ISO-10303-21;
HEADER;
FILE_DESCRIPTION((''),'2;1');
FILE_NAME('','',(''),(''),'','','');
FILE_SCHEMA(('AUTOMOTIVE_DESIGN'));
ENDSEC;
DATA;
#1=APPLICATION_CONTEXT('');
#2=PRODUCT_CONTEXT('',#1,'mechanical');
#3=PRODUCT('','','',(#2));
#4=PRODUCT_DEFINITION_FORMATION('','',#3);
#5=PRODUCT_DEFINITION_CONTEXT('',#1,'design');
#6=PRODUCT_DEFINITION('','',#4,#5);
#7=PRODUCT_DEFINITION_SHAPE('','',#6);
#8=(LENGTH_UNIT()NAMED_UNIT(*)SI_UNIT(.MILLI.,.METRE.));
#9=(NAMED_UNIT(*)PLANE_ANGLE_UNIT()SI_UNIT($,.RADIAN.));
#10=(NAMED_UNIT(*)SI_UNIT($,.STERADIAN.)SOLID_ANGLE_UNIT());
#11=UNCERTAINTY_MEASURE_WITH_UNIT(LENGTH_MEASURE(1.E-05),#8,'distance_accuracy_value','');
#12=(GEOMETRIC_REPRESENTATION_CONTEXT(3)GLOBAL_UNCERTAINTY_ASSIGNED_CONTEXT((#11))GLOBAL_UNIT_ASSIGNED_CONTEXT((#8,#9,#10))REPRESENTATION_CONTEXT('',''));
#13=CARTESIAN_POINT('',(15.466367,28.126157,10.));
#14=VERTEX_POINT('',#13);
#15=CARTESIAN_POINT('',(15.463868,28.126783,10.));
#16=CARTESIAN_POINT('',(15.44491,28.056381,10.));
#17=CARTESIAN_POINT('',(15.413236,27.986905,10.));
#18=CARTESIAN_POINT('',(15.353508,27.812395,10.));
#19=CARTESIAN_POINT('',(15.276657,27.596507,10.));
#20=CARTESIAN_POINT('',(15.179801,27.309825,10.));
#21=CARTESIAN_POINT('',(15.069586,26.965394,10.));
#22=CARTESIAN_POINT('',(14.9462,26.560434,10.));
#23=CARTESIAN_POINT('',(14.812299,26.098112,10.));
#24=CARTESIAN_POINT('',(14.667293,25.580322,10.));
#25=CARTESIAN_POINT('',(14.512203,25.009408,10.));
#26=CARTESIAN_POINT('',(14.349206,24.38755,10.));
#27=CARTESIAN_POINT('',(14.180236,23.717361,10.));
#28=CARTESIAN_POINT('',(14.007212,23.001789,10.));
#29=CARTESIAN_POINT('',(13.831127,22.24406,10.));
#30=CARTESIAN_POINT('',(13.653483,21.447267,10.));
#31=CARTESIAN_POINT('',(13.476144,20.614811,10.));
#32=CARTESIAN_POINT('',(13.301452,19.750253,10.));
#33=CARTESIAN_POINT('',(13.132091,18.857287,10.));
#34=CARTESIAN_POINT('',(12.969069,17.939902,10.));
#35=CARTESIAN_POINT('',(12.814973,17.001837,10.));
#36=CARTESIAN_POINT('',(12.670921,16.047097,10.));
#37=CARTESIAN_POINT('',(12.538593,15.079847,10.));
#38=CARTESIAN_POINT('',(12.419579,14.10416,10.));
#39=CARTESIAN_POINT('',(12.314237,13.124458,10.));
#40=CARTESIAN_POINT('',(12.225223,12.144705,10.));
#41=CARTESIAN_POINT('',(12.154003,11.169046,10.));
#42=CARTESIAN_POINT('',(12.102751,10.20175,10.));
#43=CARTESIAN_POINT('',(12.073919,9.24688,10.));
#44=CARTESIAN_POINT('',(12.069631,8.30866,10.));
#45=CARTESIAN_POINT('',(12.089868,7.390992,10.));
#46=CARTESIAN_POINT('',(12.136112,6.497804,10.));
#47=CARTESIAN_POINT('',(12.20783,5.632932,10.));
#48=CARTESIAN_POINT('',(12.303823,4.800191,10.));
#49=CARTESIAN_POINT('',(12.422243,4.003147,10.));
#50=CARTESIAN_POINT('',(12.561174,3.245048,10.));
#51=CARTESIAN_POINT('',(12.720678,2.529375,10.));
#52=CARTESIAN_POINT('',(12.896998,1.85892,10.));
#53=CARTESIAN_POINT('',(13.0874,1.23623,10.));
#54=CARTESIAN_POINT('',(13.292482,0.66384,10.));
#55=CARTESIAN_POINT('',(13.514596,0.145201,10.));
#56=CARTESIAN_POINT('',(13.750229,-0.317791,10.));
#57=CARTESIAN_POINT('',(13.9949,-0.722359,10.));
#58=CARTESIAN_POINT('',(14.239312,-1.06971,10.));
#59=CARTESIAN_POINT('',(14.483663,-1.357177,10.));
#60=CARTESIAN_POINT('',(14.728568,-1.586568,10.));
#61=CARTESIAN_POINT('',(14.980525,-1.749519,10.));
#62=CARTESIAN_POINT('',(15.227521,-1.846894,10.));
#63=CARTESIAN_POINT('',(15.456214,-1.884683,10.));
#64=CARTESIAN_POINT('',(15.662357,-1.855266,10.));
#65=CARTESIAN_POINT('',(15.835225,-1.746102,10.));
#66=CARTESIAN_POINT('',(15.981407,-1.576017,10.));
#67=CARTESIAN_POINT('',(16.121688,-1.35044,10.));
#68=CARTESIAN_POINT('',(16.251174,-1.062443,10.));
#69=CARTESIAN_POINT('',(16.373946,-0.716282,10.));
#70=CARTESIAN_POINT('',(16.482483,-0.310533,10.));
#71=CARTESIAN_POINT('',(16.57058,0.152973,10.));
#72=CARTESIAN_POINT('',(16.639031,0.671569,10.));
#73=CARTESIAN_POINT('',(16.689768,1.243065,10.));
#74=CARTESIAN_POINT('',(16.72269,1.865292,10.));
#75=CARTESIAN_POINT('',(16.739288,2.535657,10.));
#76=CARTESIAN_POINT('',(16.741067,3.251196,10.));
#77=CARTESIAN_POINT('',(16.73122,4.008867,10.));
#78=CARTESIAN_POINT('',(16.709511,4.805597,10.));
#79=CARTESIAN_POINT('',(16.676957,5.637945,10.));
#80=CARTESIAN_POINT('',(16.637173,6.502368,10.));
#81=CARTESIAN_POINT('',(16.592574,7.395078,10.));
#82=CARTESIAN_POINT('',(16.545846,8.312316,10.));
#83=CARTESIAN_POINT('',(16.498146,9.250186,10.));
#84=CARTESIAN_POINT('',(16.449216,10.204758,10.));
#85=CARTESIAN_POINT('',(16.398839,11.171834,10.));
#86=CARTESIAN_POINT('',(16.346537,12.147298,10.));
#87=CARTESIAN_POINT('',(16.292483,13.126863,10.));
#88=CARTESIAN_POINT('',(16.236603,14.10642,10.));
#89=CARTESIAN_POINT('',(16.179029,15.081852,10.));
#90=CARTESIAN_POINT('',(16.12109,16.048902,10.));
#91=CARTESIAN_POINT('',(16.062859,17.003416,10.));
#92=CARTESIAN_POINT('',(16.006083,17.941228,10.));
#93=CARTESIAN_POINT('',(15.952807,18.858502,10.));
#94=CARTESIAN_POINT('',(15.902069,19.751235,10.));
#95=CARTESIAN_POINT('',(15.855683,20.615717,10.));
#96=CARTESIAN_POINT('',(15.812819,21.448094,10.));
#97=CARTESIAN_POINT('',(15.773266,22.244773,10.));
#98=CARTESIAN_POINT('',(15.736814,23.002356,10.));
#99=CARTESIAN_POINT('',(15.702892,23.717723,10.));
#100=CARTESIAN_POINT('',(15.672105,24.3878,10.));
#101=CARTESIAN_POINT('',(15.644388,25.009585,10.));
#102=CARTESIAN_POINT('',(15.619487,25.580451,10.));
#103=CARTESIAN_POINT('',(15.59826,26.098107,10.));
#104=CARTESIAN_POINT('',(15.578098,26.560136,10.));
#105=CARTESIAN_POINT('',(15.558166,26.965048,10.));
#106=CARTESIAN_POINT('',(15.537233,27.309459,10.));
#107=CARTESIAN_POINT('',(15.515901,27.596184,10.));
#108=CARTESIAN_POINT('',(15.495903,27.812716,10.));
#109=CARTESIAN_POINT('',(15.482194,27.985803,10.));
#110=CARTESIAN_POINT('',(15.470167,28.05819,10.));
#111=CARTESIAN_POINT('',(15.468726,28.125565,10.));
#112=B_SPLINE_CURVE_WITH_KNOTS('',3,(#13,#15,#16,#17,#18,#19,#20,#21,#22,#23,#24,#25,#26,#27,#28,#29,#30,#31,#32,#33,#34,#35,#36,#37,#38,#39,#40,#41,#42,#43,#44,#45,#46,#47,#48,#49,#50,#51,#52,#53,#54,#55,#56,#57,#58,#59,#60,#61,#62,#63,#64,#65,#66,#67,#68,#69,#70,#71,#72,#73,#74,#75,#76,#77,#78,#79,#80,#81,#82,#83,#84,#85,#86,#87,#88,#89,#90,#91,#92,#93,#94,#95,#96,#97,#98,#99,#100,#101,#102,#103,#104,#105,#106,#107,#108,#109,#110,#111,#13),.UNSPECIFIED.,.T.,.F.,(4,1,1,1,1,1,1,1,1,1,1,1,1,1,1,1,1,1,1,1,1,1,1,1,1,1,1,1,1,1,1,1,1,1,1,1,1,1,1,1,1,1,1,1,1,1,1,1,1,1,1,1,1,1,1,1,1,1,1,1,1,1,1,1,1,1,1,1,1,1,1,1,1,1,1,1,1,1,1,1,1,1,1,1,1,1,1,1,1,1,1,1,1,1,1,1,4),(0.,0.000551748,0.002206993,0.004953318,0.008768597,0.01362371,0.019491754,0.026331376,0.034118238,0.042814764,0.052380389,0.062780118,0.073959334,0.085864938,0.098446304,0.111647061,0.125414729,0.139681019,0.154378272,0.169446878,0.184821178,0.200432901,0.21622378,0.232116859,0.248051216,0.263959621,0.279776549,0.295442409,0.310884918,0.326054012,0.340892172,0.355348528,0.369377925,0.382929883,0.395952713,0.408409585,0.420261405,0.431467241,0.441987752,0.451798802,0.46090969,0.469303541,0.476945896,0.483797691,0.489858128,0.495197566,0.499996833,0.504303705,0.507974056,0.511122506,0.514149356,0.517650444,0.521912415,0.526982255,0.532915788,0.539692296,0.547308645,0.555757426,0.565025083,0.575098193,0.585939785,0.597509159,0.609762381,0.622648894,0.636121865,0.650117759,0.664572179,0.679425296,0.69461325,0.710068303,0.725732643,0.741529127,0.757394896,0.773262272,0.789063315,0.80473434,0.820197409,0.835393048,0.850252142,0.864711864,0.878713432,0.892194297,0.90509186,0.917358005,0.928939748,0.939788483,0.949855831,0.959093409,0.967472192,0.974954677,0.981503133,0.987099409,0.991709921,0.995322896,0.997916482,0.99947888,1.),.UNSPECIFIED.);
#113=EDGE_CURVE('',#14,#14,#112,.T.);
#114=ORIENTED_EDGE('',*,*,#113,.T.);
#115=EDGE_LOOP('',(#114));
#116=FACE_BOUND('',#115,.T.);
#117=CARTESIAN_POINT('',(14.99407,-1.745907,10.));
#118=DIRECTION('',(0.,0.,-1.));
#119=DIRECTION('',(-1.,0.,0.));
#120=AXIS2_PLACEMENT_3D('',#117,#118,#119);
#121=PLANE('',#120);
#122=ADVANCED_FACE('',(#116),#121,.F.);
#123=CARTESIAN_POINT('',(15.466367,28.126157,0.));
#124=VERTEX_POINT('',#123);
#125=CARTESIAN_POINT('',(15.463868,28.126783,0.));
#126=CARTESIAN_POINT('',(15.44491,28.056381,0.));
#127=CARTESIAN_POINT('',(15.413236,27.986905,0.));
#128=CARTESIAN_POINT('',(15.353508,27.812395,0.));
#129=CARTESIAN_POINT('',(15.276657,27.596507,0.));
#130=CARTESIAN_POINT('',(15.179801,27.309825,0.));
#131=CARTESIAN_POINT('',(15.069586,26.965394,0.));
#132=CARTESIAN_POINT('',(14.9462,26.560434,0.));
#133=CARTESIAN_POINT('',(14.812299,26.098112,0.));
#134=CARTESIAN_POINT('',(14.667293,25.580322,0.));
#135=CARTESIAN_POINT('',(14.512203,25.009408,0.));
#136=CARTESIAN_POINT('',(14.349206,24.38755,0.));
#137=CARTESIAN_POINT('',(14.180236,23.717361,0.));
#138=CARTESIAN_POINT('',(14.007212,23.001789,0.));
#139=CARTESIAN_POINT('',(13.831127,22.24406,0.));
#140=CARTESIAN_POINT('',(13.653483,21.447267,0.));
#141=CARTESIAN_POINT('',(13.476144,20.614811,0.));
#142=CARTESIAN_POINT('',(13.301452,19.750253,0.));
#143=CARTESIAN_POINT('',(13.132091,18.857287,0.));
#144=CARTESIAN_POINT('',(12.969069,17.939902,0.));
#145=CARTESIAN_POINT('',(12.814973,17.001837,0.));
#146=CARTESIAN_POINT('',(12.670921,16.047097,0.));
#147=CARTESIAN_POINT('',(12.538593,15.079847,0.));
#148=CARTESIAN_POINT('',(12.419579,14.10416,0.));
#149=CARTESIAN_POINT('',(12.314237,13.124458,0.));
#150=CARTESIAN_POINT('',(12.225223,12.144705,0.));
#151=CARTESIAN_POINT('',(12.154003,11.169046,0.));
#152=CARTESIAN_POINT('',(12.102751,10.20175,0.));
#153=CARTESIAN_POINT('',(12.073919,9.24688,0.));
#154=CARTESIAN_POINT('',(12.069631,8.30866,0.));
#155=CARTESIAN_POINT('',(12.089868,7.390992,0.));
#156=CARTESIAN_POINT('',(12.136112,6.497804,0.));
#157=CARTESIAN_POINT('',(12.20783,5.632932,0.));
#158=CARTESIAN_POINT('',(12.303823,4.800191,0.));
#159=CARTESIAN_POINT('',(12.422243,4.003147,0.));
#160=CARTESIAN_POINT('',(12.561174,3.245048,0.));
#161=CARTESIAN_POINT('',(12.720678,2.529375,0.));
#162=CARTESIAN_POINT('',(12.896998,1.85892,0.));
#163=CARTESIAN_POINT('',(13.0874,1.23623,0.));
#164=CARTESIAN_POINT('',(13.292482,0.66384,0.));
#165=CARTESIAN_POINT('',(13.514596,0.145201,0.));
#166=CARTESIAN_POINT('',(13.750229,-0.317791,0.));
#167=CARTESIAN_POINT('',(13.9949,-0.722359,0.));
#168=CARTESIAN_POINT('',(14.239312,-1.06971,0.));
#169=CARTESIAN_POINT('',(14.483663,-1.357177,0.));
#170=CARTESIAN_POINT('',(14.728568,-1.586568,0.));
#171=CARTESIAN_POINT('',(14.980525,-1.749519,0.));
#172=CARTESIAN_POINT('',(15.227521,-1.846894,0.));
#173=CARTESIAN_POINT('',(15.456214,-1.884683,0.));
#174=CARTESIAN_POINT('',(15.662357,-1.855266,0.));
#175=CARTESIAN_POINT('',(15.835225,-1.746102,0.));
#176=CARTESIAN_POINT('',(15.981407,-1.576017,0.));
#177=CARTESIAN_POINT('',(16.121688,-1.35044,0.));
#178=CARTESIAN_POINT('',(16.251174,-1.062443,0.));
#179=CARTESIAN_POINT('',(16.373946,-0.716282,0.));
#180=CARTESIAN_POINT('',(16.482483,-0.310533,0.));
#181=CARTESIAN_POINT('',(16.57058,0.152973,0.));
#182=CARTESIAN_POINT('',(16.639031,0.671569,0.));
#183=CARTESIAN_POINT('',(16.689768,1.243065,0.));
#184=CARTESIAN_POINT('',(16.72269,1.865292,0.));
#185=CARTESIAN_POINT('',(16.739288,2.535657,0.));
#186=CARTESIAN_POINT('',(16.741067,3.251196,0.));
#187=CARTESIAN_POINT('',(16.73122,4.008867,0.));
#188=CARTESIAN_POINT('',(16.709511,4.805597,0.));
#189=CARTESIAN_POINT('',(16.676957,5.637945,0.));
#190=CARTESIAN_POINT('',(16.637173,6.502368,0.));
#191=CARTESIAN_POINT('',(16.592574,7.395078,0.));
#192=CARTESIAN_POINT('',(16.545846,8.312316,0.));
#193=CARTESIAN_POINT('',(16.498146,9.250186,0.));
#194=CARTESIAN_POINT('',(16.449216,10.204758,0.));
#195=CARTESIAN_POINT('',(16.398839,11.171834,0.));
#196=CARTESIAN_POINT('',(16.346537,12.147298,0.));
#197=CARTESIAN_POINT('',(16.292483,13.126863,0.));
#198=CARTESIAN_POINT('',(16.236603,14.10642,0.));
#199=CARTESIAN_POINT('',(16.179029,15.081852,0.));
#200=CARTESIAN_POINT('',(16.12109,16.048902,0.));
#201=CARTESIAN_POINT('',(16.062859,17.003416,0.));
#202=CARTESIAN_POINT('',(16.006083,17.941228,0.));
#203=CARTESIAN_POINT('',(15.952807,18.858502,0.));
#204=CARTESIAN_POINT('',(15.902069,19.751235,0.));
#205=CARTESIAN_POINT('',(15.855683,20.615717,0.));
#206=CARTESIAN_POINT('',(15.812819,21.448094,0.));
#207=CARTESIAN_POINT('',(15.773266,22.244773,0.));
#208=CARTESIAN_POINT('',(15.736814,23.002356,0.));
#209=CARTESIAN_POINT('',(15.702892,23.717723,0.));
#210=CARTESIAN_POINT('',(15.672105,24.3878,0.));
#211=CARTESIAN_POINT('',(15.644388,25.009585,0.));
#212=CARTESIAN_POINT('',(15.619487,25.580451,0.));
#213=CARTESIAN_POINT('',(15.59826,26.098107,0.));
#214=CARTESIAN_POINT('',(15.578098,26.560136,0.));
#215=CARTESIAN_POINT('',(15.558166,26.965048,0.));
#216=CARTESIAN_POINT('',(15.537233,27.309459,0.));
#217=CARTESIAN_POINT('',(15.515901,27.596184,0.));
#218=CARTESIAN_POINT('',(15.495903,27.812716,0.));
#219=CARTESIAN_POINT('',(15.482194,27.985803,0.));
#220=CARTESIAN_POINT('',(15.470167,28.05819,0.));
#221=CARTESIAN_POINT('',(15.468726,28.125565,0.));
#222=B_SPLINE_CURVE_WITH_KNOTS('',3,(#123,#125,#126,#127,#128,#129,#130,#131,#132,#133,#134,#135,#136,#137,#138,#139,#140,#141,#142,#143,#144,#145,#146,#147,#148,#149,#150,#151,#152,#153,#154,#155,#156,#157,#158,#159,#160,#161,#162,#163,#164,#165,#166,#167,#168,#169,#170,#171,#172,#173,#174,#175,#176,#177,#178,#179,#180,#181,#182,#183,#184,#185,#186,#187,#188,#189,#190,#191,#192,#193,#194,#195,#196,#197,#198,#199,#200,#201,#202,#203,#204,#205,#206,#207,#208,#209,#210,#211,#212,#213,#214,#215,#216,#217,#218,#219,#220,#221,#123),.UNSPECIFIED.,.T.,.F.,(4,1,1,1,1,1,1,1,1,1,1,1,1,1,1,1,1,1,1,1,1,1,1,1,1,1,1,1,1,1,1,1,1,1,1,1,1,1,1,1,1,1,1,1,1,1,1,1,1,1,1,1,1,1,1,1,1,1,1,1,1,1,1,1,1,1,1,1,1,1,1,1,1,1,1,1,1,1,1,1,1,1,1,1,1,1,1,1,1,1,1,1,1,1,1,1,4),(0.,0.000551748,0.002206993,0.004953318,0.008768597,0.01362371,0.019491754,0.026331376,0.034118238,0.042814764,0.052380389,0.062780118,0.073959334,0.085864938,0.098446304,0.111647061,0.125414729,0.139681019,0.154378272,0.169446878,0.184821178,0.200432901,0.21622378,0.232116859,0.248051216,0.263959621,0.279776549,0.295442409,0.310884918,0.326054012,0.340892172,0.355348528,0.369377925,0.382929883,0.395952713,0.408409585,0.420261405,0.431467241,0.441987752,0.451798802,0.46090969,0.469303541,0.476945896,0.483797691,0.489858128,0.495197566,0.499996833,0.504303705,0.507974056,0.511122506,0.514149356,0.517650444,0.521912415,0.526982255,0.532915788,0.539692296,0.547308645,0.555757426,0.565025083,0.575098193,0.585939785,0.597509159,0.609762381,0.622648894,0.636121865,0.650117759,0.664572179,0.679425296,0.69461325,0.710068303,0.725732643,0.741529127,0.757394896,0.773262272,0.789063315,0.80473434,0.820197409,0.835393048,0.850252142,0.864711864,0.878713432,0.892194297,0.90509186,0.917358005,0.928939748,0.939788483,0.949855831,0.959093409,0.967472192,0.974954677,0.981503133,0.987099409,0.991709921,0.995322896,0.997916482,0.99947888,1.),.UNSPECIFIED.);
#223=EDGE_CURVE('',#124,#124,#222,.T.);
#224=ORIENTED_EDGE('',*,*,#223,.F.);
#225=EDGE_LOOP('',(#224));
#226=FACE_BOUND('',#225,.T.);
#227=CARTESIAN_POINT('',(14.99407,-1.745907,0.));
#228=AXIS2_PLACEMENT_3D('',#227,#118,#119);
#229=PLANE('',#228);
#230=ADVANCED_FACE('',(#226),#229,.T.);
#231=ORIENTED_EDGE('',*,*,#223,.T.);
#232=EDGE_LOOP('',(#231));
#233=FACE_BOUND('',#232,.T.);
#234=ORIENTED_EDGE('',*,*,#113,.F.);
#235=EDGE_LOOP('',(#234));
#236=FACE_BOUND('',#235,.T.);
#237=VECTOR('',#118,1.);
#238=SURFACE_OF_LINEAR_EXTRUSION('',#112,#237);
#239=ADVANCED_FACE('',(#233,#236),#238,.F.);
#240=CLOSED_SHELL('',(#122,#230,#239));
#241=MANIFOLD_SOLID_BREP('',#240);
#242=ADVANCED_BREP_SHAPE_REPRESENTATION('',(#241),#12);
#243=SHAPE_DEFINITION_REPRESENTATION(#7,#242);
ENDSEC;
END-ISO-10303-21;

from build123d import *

# Parameters (mm, degrees)
AUFSATZ_LINEAR_AUSTRAGEN1_DEPTH = 10


with BuildPart() as part:
    # Skizze2 → Aufsatz-Linear austragen1 (new body)
    with BuildSketch(Plane(origin=(0, 0, 0), x_dir=(0, 1, 0), z_dir=(0, 0, 1))):
        with BuildLine():
            add(Edge.make_bspline(
                [(28.126156579, -15.466366783), (28.126783161, -15.463868444), (28.056380529, -15.444910484), (27.986905338, -15.413236123), (27.812394633, -15.35350765), (27.596506869, -15.276656887), (27.309824824, -15.179801364), (26.965393898, -15.069585578), (26.560433586, -14.946199643), (26.098112045, -14.812299351), (25.580322297, -14.667292733), (25.009407694, -14.512202876), (24.3875504, -14.349205575), (23.717360939, -14.180236429), (23.00178851, -14.007212275), (22.24406035, -13.831126746), (21.447267488, -13.653483137), (20.614811452, -13.476143671), (19.750253284, -13.301451936), (18.857287354, -13.132091007), (17.939902089, -12.969068706), (17.001837069, -12.814973089), (16.047097043, -12.670921022), (15.079846959, -12.538592502), (14.104159931, -12.41957946), (13.124457519, -12.314237254), (12.14470476, -12.225222813), (11.169046452, -12.154003123), (10.201749685, -12.102750529), (9.24688039, -12.073919498), (8.308659564, -12.069631446), (7.390992419, -12.089867572), (6.497803871, -12.136112341), (5.632931915, -12.207830457), (4.800190768, -12.303823154), (4.003147234, -12.422242802), (3.245048161, -12.561174397), (2.529374893, -12.72067845), (1.85892033, -12.896997961), (1.236230322, -13.08739951), (0.663839708, -13.29248209), (0.145201493, -13.514596278), (-0.317791233, -13.750228517), (-0.722358559, -13.994899958), (-1.069709694, -14.239312293), (-1.357177106, -14.483662603), (-1.586567623, -14.728567912), (-1.749519132, -14.98052524), (-1.8468935, -15.227521219), (-1.884682613, -15.456213559), (-1.855266048, -15.662356796), (-1.746101747, -15.835225102), (-1.576016844, -15.981407196), (-1.350439923, -16.12168783), (-1.062443058, -16.251174351), (-0.71628245, -16.373945674), (-0.310533014, -16.482482663), (0.152972685, -16.570579563), (0.671569463, -16.639031), (1.243064912, -16.689768086), (1.865291942, -16.722689844), (2.535656872, -16.739288333), (3.251196041, -16.741067356), (4.008866848, -16.73121974), (4.805597407, -16.709510761), (5.637944913, -16.676956599), (6.502368217, -16.637172579), (7.395078168, -16.59257426), (8.312316204, -16.545846422), (9.250185649, -16.498146445), (10.204758448, -16.449215827), (11.171834074, -16.398838676), (12.147297539, -16.346536965), (13.126862773, -16.2924832), (14.10642001, -16.236602633), (15.081852135, -16.17902888), (16.048902418, -16.12109038), (17.003415853, -16.062859012), (17.941228427, -16.006083072), (18.858502146, -15.952806957), (19.751234612, -15.902068597), (20.615716767, -15.855682807), (21.448094342, -15.812819048), (22.244772916, -15.773266288), (23.002356222, -15.736813996), (23.717722775, -15.702891592), (24.387800282, -15.672105416), (25.009584686, -15.644387899), (25.580450541, -15.61948693), (26.098107484, -15.598259956), (26.560135874, -15.578097785), (26.965048476, -15.558166263), (27.309459022, -15.537233346), (27.596184259, -15.515901413), (27.812716472, -15.495903363), (27.985802511, -15.48219432), (28.058189594, -15.470167423), (28.125564779, -15.468726435), (28.126156579, -15.466366783)],
                knots=[0, 0, 0, 0, 0.000551748, 0.002206993, 0.004953318, 0.008768597, 0.01362371, 0.019491754, 0.026331376, 0.034118238, 0.042814764, 0.052380389, 0.062780118, 0.073959334, 0.085864938, 0.098446304, 0.111647061, 0.125414729, 0.139681019, 0.154378272, 0.169446878, 0.184821178, 0.200432901, 0.21622378, 0.232116859, 0.248051216, 0.263959621, 0.279776549, 0.295442409, 0.310884918, 0.326054012, 0.340892172, 0.355348528, 0.369377925, 0.382929883, 0.395952713, 0.408409585, 0.420261405, 0.431467241, 0.441987752, 0.451798802, 0.46090969, 0.469303541, 0.476945896, 0.483797691, 0.489858128, 0.495197566, 0.499996833, 0.504303705, 0.507974056, 0.511122506, 0.514149356, 0.517650444, 0.521912415, 0.526982255, 0.532915788, 0.539692296, 0.547308645, 0.555757426, 0.565025083, 0.575098193, 0.585939785, 0.597509159, 0.609762381, 0.622648894, 0.636121865, 0.650117759, 0.664572179, 0.679425296, 0.69461325, 0.710068303, 0.725732643, 0.741529127, 0.757394896, 0.773262272, 0.789063315, 0.80473434, 0.820197409, 0.835393048, 0.850252142, 0.864711864, 0.878713432, 0.892194297, 0.90509186, 0.917358005, 0.928939748, 0.939788483, 0.949855831, 0.959093409, 0.967472192, 0.974954677, 0.981503133, 0.987099409, 0.991709921, 0.995322896, 0.997916482, 0.99947888, 1, 1, 1, 1], degree=3))
        make_face()
    extrude(amount=AUFSATZ_LINEAR_AUSTRAGEN1_DEPTH)


solid = part.part
